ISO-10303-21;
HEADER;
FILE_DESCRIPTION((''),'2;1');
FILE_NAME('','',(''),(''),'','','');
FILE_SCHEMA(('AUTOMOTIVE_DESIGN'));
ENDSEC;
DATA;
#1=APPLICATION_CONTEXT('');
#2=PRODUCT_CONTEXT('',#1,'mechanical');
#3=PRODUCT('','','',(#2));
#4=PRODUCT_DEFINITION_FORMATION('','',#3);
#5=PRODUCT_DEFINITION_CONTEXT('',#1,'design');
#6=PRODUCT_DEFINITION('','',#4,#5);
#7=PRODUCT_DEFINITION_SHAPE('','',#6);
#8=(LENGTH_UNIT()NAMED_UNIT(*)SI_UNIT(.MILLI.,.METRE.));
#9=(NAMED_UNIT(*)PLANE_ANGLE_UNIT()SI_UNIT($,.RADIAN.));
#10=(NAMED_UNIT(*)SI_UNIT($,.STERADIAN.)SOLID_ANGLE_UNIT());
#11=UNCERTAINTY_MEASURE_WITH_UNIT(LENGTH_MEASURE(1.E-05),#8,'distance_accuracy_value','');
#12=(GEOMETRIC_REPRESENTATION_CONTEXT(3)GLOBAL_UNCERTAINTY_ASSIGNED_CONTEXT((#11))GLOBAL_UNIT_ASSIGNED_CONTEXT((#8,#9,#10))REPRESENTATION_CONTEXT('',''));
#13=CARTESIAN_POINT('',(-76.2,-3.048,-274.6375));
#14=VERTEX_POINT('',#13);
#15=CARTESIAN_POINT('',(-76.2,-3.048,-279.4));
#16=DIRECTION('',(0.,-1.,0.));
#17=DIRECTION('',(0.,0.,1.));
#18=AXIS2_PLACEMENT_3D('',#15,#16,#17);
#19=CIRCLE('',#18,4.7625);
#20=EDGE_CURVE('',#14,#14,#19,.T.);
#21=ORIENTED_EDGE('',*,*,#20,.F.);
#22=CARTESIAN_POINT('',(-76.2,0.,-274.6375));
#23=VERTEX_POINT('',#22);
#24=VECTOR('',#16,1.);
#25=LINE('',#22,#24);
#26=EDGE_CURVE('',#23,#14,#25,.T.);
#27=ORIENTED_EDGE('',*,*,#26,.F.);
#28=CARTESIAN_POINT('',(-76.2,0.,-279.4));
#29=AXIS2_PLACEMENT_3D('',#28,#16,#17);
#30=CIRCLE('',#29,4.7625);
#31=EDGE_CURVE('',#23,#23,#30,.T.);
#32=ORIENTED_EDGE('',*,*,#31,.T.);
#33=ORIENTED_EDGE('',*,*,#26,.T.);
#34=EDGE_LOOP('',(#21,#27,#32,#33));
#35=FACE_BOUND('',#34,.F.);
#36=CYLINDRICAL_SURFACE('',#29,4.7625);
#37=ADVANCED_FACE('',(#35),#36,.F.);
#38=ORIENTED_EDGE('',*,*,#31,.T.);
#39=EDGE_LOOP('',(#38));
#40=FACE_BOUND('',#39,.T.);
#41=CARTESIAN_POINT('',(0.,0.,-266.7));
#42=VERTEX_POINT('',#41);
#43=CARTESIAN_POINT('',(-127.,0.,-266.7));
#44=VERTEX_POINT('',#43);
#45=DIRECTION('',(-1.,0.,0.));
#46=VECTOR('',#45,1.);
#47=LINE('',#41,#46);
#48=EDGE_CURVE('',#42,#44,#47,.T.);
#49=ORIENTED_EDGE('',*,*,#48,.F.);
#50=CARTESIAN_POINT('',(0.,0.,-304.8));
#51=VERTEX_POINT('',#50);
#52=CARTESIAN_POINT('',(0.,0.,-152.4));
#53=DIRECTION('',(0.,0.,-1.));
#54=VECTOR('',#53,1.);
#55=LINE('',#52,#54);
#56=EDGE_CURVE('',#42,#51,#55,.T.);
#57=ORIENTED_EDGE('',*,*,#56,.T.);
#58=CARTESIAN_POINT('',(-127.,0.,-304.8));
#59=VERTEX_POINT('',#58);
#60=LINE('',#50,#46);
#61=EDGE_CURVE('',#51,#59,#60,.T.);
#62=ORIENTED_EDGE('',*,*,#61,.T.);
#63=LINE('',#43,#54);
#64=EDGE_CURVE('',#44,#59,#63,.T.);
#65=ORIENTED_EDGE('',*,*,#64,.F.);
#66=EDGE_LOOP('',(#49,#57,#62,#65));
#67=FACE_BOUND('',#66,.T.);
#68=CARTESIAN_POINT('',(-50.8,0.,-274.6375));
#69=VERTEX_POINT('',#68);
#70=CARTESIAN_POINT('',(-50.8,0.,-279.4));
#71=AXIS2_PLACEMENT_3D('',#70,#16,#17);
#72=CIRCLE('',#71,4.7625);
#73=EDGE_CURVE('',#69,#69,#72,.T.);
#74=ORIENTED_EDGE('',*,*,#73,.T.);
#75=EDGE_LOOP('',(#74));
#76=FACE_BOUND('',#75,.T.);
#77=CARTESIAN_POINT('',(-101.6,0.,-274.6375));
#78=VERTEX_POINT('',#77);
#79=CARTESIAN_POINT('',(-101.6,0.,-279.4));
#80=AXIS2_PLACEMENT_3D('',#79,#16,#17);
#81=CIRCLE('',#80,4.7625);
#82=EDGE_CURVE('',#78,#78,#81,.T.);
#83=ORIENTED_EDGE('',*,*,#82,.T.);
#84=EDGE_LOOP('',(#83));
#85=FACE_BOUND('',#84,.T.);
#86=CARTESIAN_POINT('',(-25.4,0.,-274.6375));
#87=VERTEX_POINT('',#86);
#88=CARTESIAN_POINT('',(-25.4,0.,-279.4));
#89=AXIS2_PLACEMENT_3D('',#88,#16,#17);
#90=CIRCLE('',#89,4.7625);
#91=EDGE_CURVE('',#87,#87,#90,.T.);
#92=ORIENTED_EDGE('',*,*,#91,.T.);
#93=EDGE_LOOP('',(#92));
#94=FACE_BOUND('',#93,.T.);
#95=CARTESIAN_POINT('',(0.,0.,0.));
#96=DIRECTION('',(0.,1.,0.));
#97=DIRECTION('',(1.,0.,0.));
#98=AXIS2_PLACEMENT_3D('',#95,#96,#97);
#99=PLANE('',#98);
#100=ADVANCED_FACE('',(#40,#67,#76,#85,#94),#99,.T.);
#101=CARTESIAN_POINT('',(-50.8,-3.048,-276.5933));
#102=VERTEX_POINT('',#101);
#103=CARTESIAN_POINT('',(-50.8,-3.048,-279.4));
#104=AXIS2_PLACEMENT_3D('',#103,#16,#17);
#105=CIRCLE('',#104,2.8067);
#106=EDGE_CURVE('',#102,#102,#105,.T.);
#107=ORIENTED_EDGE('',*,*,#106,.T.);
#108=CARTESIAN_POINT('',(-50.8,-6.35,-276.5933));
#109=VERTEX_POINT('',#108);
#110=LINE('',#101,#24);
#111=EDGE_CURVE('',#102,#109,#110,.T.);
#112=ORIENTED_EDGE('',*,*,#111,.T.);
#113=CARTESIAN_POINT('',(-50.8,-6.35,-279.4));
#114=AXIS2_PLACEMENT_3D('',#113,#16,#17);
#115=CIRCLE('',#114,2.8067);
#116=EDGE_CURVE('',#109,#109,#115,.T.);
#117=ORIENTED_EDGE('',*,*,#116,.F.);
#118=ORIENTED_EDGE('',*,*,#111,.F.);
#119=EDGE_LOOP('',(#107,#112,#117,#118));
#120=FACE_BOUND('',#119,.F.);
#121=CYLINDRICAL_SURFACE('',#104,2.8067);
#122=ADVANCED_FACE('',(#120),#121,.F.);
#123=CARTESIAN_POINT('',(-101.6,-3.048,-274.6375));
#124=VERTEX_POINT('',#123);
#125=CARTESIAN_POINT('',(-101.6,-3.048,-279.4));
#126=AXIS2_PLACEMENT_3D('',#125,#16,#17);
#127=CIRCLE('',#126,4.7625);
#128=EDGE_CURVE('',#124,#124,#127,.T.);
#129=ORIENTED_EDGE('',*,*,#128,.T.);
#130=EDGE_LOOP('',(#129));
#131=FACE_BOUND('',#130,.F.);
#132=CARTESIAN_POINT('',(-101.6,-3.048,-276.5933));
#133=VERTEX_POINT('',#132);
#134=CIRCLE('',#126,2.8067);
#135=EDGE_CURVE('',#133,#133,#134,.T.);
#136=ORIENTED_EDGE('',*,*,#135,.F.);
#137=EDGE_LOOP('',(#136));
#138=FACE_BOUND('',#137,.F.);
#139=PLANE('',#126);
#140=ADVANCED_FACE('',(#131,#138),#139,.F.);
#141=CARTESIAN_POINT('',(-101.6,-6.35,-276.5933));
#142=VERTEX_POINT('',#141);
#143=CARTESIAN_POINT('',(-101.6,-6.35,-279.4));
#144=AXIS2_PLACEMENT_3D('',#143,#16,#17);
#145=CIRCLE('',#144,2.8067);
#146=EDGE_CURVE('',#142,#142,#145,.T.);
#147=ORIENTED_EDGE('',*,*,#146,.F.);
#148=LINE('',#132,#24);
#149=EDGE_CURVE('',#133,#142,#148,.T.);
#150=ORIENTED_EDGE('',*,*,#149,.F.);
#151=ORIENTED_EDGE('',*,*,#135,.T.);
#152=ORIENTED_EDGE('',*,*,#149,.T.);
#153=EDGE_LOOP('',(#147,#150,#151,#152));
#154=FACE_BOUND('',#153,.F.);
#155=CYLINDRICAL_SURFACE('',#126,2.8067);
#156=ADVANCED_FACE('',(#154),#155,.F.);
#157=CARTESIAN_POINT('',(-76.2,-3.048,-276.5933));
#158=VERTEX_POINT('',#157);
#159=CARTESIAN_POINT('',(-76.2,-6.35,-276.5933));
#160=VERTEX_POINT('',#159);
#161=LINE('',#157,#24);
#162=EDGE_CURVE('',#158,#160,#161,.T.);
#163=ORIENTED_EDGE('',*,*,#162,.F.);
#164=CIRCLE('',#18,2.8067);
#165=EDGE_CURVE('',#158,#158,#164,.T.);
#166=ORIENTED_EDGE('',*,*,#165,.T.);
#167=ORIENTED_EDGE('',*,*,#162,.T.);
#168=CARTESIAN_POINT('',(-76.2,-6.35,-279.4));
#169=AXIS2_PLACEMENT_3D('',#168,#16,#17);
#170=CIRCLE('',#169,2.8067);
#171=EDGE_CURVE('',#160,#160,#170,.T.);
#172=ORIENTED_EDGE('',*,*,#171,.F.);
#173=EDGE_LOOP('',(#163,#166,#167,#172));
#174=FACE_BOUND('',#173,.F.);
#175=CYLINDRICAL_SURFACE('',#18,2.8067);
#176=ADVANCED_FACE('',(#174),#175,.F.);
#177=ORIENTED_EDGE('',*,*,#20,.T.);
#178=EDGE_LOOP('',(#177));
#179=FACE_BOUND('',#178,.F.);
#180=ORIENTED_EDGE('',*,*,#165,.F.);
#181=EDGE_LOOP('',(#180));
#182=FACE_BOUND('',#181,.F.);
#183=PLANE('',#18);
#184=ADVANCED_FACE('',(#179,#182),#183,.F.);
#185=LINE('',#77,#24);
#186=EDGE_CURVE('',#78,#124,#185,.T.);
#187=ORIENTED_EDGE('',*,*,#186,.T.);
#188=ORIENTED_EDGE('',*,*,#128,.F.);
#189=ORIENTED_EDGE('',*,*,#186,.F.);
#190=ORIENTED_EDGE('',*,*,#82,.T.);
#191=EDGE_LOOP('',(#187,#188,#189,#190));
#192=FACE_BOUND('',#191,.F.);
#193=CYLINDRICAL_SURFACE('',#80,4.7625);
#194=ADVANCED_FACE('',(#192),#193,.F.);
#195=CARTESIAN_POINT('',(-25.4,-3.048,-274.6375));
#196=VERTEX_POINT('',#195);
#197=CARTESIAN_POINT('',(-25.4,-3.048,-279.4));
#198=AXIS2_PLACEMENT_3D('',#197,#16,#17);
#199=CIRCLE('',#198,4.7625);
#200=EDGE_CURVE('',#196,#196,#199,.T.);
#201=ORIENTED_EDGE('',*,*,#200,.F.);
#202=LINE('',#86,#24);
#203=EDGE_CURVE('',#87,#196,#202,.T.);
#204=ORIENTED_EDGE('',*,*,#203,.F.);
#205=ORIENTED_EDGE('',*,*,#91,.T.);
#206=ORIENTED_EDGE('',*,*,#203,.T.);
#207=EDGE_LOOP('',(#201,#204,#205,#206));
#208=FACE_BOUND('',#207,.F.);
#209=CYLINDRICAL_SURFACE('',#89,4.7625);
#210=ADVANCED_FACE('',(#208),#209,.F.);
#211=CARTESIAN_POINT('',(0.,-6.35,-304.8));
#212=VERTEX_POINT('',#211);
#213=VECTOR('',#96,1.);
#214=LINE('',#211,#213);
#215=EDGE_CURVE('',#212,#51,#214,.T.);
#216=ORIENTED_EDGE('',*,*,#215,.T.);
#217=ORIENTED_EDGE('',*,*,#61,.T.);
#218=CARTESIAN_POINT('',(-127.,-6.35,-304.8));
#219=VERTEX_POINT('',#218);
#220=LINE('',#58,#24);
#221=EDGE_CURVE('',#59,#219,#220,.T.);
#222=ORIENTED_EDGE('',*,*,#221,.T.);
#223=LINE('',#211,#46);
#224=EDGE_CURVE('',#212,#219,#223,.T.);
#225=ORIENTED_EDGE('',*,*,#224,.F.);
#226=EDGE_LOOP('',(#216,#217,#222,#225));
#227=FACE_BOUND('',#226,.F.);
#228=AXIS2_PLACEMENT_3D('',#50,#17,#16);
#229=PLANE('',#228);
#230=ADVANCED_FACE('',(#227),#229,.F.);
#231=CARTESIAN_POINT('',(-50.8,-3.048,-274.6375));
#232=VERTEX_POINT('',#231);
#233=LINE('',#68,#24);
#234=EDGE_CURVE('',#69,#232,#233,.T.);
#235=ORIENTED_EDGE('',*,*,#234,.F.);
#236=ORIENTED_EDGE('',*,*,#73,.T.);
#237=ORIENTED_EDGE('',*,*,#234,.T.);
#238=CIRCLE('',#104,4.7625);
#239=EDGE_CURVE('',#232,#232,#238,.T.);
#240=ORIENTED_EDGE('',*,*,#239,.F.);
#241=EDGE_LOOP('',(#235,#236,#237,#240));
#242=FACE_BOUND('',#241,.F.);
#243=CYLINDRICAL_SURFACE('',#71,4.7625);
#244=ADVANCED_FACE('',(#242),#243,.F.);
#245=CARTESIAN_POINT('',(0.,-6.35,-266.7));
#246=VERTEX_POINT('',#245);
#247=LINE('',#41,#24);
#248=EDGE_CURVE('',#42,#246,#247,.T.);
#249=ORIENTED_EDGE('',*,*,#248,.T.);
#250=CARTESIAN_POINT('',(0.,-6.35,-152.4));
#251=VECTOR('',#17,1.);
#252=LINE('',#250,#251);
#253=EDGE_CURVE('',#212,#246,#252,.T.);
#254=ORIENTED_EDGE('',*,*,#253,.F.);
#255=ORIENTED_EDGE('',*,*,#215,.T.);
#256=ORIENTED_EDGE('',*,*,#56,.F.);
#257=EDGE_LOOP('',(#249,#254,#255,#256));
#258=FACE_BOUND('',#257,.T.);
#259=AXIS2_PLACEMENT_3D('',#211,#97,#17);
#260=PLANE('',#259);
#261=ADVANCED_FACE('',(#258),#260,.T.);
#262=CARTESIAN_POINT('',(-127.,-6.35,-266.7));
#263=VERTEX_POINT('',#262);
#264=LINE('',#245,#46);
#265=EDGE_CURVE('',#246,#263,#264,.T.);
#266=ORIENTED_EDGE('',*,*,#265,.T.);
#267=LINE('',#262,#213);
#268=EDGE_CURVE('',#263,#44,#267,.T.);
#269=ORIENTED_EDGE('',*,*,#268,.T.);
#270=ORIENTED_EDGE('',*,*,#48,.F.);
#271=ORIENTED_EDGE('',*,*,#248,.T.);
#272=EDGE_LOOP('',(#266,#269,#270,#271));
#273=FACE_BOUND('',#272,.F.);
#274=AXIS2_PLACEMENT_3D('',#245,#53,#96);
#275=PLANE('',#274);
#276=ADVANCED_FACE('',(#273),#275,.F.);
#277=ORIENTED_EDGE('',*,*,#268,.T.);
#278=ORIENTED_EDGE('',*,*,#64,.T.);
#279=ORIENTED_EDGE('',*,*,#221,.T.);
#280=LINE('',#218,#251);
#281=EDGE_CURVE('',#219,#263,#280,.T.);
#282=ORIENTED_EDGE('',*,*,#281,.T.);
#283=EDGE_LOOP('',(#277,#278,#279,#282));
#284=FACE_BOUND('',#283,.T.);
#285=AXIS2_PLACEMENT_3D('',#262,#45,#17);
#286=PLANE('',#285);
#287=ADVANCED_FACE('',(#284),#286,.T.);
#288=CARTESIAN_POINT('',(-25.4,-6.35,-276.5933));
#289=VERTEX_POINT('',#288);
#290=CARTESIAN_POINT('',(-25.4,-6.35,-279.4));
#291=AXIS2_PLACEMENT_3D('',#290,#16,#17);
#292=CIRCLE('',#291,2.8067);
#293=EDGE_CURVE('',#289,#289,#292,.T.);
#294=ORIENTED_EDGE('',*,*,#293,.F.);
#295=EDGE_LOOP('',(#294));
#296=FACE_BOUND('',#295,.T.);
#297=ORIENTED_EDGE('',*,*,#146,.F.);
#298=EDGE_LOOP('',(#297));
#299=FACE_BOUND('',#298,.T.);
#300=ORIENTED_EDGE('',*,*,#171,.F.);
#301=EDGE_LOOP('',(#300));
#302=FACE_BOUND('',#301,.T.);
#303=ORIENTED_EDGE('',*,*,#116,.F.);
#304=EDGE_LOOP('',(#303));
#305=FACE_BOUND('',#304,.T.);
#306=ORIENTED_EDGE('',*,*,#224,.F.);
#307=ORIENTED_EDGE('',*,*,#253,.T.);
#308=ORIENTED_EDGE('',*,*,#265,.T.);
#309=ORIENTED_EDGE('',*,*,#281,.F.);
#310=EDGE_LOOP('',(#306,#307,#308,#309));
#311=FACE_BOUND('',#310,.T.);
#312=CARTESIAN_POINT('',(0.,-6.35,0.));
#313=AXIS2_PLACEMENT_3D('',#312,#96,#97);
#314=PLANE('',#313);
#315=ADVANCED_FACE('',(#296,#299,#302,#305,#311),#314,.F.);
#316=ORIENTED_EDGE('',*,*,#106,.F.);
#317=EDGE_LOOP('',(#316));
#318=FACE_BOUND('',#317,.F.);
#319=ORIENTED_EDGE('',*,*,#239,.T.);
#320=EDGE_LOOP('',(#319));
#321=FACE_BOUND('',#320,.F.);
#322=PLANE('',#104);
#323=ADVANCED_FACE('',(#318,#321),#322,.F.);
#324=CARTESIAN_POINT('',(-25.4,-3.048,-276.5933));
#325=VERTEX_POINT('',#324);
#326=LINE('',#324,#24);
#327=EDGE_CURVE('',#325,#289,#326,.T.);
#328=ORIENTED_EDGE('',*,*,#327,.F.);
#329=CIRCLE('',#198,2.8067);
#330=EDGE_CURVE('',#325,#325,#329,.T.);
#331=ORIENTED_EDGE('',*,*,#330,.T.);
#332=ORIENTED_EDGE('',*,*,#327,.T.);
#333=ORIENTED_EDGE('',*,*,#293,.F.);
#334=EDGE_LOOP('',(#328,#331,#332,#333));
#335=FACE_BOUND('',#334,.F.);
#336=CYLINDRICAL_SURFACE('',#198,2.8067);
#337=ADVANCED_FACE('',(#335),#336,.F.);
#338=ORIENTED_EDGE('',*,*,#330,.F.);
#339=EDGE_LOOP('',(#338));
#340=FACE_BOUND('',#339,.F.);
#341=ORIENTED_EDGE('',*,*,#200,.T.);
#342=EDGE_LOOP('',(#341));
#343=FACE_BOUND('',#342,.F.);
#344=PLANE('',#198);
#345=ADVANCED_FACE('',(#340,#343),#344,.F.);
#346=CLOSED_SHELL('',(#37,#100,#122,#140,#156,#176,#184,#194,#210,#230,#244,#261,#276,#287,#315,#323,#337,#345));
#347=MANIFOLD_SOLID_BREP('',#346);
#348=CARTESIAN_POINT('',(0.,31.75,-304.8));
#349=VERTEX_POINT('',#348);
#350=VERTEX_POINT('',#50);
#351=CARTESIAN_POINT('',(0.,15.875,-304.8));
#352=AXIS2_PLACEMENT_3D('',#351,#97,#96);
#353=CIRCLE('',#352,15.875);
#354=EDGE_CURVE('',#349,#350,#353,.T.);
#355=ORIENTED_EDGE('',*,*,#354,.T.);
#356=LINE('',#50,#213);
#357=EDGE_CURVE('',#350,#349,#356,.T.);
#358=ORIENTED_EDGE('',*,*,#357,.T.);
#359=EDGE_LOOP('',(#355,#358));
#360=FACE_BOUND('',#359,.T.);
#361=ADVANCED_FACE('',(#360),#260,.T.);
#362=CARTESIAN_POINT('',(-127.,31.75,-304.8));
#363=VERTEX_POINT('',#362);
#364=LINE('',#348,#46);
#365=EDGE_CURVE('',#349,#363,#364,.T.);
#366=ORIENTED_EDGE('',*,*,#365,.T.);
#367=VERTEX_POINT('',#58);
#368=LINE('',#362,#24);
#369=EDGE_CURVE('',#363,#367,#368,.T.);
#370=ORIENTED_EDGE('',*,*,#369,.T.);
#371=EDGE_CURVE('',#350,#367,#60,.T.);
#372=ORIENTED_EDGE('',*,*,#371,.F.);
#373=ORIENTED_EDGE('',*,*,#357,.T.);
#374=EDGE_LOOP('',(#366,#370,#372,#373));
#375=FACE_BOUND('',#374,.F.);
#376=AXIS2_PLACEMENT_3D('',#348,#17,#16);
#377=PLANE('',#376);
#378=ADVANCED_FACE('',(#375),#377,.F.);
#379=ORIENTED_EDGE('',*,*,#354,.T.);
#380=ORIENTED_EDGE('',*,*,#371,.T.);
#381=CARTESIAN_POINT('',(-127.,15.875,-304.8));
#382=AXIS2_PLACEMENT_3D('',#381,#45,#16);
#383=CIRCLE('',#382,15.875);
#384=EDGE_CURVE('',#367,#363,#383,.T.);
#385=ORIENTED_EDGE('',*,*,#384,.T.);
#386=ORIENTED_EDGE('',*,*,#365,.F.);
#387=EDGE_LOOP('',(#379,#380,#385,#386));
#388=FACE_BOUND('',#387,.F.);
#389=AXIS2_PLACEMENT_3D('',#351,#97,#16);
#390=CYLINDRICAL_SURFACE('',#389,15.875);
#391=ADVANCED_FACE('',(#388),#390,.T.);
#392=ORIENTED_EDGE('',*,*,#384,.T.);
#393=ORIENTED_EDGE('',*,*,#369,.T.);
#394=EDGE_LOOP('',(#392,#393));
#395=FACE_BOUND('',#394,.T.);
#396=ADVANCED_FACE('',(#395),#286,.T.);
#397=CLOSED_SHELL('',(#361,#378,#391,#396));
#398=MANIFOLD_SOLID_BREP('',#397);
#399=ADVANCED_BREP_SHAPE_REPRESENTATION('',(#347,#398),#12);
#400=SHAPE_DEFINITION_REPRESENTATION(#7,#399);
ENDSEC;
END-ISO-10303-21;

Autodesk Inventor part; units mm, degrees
ref_plane "YZ Plane" through (0, 0, 0) normal (1, 0, 0) x (0, 1, 0)
ref_plane "XZ Plane" through (0, 0, 0) normal (0, 1, 0) x (-1, 0, 0)
sketch "Sketch2" plane through (0, 0, 0) normal (0, 0, 1) x (1, 0, 0)
  line L0 (304.8, 0) -> (304.8, 31.75)
  arc A0 (304.8, 31.75) -> (304.8, 0) centre (304.8, 15.875) ccw
  line L1 (304.8, 0) -> (266.7, 0)
  line L2 (266.7, 0) -> (266.7, -6.35)
  line L3 (266.7, -6.35) -> (304.8, -6.35)
  line L4 (304.8, -6.35) -> (304.8, 0)
  line L5 (0, 0) -> (304.8, 0) construction
  line L6 (0, -13.97) -> (0, 39.37) projected
  dimension "d0" = 31.75
  dimension "d1" = 304.8
  dimension "d2" = 6.35
  dimension "d8" = 15.875
  dimension "d9" = 38.1
revolve "Revolution1" add sketch "Sketch2" angle 90 about axis through (0, -10, 0) along (0, 1, 0)
ref_plane "Work Plane1" through (0, -6.35, -304.8) normal (-1, 0, 0) x (0, 0, 1)
sketch "Sketch3" plane through (0, -6.35, -266.7) normal (-1, 0, 0) x (0, 0, 1)
  arc A0 (-38.1, 6.35) -> (-38.1, 38.1) centre (-38.1, 22.225) ccw projected
  line L0 (-38.1, 38.1) -> (-38.1, 6.35) projected
  line L1 (-38.1, 6.35) -> (-38.1, 38.1)
  line L2 (-38.1, 0) -> (0, 0) projected
  line L3 (-38.1, 6.35) -> (-38.1, 0)
  line L4 (-38.1, 0) -> (0, 0)
  line L5 (0, 6.35) -> (-38.1, 6.35)
  arc A1 (-38.1, 6.35) -> (-38.1, 38.1) centre (-38.1, 22.225) ccw
  line L6 (266.7, 6.35) -> (0, 6.35) projected
  line L7 (0, 0) -> (0, 6.35) projected
  line L8 (0, 6.35) -> (0, 0)
extrude "Extrusion2" add sketch "Sketch3" along normal blind 127
split "Split1" plane through (0, -6.35, -304.8) removes the side toward (1, 0, 0)
sketch "Sketch4" plane through (-127, 0, -266.7) normal (0, 1, 0) x (1, 0, 0)
  line L0 (127, 0) -> (127, 38.1) projected
  line L1 (152.4, -266.7) -> (-25.4, -266.7) projected
  point P0 (127, -266.7)
  point P1 (101.6, 12.7)
  dimension "d10" = 25.4
  dimension "d11" = 279.4
hole "Hole1" at (-25.4, 0, -279.4) direction (0, -1, 0) diameter 5.6134 end through all counterbore diameter 9.525 counterbore depth 3.048 clearance for "Hex Machine Screw" size "#10" standard "Ansi Unified Screw Threads"
pattern_linear "Rectangular Pattern1" count 4 spacing 25.4 along (-1, 0, 0) of "Hole1"
equation "\"d1\" = outerRadius"
equation "\"d8\" = spacerRadius"
equation "\"wheelDiameter\" = 184.15"
equation "\"frisbeeDiameter\" = 228.6"
equation "\"outerRadius\" = 304.8"
equation "\"wheelRadius\" = 0.5 * wheelDiameter"
equation "\"spacerRadius\" = 15.875"
properties part number "Whack01-RunnerForFrisbeeShooterExtension"
